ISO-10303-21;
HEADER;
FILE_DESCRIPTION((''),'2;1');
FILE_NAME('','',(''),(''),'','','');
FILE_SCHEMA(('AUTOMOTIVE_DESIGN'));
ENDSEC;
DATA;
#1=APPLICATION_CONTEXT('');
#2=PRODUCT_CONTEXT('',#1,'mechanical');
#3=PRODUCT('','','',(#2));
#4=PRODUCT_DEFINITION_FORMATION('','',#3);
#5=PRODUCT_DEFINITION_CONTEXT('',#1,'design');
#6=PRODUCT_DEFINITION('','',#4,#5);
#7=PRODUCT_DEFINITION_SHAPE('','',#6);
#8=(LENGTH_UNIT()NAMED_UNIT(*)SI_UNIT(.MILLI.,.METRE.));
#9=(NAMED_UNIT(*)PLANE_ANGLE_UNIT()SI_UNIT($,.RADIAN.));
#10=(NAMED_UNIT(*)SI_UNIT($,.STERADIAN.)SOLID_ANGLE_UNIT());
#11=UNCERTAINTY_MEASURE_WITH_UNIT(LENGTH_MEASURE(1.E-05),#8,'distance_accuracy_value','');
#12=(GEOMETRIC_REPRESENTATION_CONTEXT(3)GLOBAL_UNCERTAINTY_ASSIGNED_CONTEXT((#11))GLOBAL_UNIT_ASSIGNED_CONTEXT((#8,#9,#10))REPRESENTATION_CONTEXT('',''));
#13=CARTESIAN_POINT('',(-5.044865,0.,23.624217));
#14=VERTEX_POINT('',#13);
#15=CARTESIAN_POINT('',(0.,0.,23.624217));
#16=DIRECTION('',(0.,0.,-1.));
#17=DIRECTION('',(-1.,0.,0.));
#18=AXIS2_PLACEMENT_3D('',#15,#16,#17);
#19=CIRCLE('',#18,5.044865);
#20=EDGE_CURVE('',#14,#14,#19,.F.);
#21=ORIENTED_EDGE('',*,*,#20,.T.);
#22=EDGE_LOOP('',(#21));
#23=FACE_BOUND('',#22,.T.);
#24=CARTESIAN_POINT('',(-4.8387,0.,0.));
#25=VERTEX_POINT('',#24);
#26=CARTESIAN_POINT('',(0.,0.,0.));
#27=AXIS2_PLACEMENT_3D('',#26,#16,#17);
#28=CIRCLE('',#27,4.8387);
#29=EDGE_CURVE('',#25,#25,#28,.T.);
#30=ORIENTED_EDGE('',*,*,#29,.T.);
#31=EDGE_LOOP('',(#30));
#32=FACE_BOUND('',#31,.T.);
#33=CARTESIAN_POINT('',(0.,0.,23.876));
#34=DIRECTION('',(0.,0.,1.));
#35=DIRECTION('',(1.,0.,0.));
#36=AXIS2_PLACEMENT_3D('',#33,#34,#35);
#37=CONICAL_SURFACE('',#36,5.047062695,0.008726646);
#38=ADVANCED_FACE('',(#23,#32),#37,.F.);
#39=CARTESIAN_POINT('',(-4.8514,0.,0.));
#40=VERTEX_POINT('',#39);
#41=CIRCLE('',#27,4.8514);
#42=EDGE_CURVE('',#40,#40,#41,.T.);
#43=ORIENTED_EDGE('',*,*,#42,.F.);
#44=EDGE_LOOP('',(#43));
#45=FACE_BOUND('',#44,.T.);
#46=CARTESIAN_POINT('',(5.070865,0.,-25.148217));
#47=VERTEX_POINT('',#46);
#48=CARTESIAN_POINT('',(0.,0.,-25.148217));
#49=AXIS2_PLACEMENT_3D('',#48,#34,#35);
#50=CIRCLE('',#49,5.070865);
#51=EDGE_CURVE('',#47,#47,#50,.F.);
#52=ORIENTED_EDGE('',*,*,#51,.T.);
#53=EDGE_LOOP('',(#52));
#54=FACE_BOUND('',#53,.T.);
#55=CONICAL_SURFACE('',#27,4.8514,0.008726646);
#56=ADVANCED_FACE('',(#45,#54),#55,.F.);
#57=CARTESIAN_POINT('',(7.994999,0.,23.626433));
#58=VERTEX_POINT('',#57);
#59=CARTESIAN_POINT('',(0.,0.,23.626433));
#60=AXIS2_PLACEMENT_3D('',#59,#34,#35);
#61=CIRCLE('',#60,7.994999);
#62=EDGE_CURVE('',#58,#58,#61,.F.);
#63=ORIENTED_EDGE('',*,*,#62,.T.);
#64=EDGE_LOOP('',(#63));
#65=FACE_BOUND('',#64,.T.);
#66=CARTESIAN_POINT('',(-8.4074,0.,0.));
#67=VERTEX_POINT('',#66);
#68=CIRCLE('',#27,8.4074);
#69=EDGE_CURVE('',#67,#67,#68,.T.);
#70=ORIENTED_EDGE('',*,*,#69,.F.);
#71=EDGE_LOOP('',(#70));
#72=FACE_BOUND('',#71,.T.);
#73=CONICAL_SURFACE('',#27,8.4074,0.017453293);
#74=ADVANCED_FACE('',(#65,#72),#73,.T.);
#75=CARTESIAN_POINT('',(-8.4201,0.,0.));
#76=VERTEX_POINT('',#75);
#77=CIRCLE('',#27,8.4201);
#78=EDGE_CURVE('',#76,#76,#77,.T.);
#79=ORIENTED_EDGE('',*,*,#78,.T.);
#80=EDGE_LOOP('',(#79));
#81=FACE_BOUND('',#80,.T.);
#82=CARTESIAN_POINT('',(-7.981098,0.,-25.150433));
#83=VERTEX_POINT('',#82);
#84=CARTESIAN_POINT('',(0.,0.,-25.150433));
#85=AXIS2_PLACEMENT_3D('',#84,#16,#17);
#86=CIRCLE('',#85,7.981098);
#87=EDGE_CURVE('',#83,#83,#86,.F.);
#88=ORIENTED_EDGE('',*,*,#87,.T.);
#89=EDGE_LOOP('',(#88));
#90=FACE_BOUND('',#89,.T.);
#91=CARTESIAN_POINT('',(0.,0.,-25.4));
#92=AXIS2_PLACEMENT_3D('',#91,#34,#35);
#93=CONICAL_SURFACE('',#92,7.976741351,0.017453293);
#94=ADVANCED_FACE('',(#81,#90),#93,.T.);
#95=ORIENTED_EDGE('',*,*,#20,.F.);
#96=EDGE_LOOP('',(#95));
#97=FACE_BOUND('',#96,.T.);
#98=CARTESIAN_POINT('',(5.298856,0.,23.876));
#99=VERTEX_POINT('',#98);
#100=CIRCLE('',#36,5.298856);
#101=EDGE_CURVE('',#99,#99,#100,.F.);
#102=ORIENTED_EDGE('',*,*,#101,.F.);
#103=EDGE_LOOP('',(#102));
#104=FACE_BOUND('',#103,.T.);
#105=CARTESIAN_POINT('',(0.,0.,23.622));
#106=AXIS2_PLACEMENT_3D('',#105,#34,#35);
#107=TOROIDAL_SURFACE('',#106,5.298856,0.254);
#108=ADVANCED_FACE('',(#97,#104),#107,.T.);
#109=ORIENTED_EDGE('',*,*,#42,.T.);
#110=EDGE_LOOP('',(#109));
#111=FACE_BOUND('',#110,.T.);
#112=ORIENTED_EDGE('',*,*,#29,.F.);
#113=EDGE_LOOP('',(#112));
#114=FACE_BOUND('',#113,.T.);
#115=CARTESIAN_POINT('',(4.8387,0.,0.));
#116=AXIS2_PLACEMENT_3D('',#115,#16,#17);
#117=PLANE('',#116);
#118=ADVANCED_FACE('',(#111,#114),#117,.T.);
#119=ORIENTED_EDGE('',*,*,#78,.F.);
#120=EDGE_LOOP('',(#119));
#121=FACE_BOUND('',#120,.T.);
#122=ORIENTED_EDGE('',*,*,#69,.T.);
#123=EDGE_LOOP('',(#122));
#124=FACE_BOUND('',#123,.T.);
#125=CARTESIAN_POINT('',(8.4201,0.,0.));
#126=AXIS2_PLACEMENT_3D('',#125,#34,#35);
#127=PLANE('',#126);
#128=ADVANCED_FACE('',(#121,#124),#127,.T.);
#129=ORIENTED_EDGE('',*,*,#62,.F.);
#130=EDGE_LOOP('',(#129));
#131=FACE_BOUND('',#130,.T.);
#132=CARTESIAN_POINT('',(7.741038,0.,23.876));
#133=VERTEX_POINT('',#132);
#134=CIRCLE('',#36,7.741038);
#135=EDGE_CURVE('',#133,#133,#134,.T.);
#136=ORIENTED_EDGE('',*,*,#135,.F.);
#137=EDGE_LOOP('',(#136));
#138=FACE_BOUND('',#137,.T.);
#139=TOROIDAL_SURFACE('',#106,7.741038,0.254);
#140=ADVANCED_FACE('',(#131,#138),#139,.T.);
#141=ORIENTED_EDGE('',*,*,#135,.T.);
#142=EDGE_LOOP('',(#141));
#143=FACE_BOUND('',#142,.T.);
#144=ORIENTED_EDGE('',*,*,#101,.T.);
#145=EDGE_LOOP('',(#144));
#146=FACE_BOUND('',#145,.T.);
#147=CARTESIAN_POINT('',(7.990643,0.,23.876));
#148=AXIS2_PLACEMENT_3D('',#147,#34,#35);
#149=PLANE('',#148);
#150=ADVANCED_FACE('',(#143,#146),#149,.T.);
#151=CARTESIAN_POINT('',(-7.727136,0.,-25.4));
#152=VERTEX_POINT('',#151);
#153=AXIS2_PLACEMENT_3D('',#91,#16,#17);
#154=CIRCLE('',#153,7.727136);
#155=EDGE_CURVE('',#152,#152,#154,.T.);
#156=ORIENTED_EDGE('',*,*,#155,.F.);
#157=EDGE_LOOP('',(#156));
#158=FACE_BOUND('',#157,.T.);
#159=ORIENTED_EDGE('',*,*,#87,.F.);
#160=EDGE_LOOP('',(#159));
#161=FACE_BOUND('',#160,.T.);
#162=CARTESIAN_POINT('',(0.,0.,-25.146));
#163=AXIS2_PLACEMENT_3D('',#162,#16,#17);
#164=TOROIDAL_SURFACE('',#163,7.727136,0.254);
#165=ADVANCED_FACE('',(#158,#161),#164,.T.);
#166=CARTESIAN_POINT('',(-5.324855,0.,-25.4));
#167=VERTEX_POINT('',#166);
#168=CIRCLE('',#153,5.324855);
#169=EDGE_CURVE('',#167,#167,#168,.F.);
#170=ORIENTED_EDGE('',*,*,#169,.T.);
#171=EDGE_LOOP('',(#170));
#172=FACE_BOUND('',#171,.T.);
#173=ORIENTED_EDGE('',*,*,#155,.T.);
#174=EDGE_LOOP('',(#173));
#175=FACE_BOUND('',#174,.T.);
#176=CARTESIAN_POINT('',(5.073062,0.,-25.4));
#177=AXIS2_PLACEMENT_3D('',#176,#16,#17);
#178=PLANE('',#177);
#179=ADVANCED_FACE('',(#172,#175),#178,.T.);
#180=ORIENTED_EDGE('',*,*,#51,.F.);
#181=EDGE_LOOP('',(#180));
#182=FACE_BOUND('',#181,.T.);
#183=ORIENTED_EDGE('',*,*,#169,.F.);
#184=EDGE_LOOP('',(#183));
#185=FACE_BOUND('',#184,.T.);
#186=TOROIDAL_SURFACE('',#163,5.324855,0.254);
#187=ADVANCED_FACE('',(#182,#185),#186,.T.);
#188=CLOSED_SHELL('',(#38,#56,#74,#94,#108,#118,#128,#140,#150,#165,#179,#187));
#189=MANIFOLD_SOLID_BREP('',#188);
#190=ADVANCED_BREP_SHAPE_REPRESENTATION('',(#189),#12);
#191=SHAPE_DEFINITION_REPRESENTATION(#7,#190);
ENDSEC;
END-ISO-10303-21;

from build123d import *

# Parameters (mm, degrees)
FILLET1_R = 0.254


with BuildPart() as part:
    # Sketch1 → Revolve1 (revolve)
    with BuildSketch(Plane.XZ):
        Polygon((5.047062695, 23.876), (4.8387, 0), (4.8514, 0), (5.073062442, -25.4), (7.976741351, -25.4), (8.4201, 0), (8.4074, 0), (7.99064287, 23.876), align=None)
    revolve(axis=Axis((0, 0, 23.867968573), (0, 0, -1)))

    # Fillet1
    fillet1_edges = [part.edges().sort_by_distance(p)[0] for p in [
        (-7.99064287, 0, 23.876),
        (-7.976741351, 0, -25.4),
        (-5.073062442, 0, -25.4),
        (-5.047062695, 0, 23.876),
    ]]
    fillet(fillet1_edges, radius=FILLET1_R)


solid = part.part
